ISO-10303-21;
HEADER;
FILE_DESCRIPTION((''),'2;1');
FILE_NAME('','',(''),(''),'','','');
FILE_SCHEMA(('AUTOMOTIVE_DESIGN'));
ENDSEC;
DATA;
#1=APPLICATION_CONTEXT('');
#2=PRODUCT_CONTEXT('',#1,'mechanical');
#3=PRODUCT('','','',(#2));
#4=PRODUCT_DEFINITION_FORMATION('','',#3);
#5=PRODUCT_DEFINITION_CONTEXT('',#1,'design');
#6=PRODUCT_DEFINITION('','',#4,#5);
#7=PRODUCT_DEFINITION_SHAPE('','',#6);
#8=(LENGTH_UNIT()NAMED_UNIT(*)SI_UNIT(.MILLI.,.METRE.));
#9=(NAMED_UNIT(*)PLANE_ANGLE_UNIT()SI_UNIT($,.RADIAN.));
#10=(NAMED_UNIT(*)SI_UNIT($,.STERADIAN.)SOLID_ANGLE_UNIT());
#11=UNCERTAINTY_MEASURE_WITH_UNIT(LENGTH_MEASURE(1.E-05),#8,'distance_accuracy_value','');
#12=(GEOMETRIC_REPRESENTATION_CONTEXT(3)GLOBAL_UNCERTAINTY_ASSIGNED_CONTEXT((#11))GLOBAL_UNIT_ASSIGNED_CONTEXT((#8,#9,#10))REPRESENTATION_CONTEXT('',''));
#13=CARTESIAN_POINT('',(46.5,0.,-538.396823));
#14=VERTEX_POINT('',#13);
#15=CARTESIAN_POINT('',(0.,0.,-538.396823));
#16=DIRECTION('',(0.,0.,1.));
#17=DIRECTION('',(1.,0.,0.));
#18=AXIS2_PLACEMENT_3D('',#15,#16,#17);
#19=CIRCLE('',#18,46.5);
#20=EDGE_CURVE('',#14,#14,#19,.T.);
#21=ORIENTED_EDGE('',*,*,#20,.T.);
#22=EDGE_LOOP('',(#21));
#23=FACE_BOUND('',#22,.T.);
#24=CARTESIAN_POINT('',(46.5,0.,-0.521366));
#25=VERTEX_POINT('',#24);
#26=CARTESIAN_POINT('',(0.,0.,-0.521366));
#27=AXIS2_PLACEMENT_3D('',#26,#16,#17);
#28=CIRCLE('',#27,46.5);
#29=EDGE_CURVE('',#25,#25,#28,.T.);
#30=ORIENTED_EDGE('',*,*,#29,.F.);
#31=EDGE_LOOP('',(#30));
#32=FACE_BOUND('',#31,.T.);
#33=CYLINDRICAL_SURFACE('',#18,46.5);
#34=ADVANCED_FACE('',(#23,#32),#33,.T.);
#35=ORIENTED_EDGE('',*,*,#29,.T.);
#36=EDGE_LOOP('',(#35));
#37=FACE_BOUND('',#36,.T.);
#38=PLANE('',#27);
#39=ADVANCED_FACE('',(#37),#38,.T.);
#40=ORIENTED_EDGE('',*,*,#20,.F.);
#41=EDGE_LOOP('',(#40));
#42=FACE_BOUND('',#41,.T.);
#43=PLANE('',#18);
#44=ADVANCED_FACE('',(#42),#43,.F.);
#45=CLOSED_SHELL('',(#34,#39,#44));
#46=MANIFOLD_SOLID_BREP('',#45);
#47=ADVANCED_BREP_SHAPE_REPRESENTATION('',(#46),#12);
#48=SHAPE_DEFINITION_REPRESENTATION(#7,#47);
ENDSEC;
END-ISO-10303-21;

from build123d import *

# Parameters (mm, degrees)
SKETCH1_R                = 155
BOSS_EXTRUDE1_DEPTH      = 627
BOSS_EXTRUDE1_DEPTH_BACK = 1165.918189273
SCALE1_SCALE             = 0.3


with BuildPart() as part:
    # Sketch1 → Boss-Extrude1 (new body, two sides)
    with BuildSketch(Plane.XY) as boss_extrude1_sk:
        Circle(SKETCH1_R)
    extrude(amount=BOSS_EXTRUDE1_DEPTH)
    extrude(boss_extrude1_sk.sketch, amount=-BOSS_EXTRUDE1_DEPTH_BACK)


with BuildPart() as part_1:
    # Scale1: scaled about (0, 0, -269.459094637)
    add(part.part.scale(SCALE1_SCALE).moved(Location((0, 0, -188.621366246))))


solid = part_1.part
